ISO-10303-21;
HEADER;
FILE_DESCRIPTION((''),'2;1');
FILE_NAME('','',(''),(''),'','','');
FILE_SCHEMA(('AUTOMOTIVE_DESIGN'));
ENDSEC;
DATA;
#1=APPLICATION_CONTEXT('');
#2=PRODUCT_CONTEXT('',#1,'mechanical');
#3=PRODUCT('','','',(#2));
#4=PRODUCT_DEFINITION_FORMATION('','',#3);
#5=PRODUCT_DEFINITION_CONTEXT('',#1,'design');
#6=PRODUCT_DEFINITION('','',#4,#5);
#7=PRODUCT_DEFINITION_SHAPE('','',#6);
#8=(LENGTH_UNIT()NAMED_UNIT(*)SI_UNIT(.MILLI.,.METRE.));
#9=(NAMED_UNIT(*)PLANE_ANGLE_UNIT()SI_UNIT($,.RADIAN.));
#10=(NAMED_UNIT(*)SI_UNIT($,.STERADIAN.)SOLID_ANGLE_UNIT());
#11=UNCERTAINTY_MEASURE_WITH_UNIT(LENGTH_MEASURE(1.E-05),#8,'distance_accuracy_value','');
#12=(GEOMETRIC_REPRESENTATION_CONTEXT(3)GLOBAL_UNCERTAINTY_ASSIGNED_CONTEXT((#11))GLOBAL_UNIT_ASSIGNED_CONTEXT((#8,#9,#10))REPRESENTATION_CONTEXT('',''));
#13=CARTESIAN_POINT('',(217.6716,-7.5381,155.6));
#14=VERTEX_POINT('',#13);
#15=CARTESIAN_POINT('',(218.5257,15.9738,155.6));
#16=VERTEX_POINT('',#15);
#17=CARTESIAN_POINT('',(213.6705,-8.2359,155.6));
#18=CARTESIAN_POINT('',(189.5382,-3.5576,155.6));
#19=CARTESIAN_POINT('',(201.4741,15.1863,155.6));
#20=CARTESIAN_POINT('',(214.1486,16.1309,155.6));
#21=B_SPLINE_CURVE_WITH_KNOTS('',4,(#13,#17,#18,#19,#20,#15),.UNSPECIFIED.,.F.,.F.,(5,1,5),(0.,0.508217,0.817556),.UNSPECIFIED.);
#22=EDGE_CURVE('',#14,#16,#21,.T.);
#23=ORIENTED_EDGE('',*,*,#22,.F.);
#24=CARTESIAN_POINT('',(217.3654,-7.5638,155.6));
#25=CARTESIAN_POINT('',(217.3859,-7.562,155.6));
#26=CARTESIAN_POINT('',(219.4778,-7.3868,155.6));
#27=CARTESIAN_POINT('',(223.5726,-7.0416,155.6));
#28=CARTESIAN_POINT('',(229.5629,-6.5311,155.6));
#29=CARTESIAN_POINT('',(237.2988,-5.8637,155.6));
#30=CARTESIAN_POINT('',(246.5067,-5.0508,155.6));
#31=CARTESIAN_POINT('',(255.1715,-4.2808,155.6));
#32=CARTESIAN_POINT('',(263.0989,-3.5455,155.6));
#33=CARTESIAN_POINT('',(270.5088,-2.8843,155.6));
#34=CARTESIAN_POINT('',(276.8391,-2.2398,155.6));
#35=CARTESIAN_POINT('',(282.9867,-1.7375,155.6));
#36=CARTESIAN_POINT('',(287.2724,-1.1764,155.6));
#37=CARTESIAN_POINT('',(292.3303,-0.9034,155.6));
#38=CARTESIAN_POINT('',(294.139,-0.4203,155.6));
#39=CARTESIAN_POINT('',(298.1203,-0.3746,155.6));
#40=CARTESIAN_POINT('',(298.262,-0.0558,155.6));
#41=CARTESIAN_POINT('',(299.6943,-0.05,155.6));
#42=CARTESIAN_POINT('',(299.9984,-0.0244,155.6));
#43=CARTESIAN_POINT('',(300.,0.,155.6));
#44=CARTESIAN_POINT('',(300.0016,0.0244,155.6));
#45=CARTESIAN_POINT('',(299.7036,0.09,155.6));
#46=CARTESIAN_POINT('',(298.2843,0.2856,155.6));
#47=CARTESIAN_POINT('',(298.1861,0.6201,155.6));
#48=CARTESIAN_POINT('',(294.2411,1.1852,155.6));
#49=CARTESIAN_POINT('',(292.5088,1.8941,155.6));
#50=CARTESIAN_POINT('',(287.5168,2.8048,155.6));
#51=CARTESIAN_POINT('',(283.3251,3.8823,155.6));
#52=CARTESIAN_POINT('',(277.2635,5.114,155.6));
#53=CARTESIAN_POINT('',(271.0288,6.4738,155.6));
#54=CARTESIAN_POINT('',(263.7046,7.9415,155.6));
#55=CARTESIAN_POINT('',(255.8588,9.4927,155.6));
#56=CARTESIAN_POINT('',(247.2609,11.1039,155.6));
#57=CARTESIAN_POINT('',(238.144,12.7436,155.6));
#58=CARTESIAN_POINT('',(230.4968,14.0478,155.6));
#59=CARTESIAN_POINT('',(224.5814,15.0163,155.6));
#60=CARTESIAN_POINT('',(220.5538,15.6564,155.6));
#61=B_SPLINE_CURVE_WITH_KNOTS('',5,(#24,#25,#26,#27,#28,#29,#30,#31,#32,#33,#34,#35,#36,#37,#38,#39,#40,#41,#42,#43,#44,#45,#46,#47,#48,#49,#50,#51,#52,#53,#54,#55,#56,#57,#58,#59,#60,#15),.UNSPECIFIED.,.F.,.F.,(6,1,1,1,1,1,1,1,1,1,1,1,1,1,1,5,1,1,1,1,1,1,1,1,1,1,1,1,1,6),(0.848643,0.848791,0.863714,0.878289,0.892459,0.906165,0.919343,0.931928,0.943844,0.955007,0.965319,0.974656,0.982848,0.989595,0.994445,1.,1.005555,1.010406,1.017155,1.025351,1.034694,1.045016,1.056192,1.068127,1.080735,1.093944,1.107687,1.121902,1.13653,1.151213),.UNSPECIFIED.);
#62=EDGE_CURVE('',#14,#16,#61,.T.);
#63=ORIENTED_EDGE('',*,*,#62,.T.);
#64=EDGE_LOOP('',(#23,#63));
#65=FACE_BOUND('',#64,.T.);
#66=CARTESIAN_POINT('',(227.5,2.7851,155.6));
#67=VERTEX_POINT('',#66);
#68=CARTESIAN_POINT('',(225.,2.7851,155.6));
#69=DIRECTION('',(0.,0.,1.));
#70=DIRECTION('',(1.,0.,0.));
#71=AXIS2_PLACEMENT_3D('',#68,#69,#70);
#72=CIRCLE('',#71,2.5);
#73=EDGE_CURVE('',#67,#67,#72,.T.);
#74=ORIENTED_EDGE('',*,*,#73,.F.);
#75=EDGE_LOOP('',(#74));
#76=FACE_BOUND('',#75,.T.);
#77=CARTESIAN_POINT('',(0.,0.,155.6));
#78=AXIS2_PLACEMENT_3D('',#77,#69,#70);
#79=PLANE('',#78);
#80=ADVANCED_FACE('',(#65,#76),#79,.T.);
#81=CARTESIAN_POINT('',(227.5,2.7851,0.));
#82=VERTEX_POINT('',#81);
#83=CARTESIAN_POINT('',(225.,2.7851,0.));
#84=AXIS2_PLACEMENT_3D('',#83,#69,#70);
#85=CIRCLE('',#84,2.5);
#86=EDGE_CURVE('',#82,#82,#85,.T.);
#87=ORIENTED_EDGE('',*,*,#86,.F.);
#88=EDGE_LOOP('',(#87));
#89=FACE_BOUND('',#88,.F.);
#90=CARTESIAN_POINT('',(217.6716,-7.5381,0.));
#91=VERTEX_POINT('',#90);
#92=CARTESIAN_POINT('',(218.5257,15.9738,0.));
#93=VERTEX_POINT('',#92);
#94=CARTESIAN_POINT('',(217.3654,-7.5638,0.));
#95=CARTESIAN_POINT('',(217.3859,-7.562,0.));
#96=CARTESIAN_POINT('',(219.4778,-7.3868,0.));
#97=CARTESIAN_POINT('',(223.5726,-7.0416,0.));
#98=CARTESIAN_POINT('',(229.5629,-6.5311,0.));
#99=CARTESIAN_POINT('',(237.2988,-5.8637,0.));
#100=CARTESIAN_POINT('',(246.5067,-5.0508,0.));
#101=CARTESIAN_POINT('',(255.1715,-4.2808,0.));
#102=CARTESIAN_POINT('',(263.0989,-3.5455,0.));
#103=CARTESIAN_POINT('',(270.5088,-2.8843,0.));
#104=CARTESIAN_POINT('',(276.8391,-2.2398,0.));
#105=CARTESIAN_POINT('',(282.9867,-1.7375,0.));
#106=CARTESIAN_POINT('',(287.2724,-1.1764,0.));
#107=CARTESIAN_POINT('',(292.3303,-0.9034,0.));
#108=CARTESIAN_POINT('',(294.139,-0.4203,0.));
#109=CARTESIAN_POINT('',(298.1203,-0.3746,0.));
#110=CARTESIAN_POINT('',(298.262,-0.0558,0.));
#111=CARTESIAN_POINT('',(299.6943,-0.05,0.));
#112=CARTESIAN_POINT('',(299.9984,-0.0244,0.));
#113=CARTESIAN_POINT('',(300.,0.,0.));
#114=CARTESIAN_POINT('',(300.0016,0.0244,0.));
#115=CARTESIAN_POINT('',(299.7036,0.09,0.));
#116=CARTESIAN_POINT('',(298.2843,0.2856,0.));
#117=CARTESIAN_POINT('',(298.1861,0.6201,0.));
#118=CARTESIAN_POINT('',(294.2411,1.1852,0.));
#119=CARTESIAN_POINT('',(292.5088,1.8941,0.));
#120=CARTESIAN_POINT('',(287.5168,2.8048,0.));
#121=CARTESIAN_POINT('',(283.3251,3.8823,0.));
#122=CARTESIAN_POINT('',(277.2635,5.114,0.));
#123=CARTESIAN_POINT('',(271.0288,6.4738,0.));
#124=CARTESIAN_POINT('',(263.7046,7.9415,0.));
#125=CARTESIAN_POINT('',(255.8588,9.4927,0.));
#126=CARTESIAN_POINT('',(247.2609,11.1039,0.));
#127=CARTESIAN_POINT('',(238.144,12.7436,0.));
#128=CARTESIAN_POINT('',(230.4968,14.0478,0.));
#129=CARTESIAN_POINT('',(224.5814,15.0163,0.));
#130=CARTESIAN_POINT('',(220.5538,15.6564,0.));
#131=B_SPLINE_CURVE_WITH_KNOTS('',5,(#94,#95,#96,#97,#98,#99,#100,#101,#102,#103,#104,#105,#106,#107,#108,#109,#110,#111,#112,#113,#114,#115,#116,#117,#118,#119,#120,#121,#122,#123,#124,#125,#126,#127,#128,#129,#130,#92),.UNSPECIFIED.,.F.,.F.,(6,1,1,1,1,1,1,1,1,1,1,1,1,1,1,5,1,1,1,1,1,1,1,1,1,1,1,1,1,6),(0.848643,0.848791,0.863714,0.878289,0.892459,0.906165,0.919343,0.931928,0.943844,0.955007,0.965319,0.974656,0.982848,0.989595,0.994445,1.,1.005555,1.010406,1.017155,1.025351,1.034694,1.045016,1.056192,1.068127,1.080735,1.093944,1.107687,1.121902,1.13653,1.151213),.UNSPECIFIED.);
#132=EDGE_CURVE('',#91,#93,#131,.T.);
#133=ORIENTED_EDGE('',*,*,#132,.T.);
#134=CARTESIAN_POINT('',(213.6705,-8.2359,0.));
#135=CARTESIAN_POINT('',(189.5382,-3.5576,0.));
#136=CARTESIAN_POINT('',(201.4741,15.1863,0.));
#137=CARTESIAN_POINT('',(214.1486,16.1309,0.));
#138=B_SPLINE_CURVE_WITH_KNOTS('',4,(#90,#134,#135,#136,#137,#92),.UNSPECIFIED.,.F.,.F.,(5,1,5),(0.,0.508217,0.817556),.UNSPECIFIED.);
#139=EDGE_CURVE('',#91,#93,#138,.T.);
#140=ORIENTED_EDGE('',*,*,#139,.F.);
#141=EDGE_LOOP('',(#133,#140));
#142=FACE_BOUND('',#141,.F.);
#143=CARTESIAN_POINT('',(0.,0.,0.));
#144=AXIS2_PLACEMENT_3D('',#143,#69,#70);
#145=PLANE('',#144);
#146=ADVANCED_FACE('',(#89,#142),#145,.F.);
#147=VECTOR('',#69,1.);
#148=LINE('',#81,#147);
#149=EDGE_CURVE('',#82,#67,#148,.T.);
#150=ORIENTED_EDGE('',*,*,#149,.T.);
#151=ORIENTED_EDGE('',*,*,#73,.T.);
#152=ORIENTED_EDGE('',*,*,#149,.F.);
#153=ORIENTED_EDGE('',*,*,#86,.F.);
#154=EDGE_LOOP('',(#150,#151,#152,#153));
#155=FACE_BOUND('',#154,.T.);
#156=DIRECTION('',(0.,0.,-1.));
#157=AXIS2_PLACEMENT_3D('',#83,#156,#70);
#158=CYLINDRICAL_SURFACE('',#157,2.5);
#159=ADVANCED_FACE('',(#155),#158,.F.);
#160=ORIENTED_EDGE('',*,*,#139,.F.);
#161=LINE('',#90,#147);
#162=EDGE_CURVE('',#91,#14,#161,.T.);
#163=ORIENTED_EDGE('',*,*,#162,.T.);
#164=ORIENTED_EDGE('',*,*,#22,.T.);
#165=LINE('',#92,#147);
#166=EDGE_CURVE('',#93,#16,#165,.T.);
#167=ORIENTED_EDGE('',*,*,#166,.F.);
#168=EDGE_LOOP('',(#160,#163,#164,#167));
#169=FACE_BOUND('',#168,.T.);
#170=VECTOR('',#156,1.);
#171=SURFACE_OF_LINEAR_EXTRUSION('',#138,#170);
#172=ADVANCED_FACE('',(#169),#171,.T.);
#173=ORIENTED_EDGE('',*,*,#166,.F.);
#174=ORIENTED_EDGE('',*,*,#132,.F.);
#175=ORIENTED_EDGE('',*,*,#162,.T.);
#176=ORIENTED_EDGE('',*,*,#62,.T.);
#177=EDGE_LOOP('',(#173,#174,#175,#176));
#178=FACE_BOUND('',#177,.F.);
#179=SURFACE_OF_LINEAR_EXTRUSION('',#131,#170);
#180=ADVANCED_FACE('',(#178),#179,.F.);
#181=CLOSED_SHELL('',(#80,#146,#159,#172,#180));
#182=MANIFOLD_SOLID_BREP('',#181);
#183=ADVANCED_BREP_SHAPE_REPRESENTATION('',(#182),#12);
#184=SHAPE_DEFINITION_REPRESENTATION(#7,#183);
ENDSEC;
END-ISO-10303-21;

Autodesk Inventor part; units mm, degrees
ref_plane "YZ Plane" through (0, 0, 0) normal (1, 0, 0) x (0, 1, 0)
ref_plane "XZ Plane" through (0, 0, 0) normal (0, 1, 0) x (-1, 0, 0)
ref_plane "XY Plane" through (0, 0, 0) normal (0, 0, 1) x (1, 0, 0)
sketch "Sketch1" plane through (0, 0, 0) normal (0, 0, 1) x (1, 0, 0)
  spline S0 degree 5 poles (217.3654, -7.5638) (217.3859, -7.562) (219.4778, -7.3868) (223.5726, -7.0416) (229.5629, -6.5311) (237.2988, -5.8637) (246.5067, -5.0508) (255.1715, -4.2808) (263.0989, -3.5455) (270.5088, -2.8843) (276.8391, -2.2398) (282.9867, -1.7375) (287.2724, -1.1764) (292.3303, -0.9034) (294.139, -0.4203) (298.1203, -0.3746) (298.262, -0.0558) (299.6943, -0.05) (299.9984, -0.0244) (300, 0) (300.0016, 0.0244) (299.7036, 0.09) (298.2843, 0.2856) (298.1861, 0.6201) (294.2411, 1.1852) (292.5088, 1.8941) (287.5168, 2.8048) (283.3251, 3.8823) (277.2635, 5.114) (271.0288, 6.4738) (263.7046, 7.9415) (255.8588, 9.4927) (247.2609, 11.1039) (238.144, 12.7436) (230.4968, 14.0478) (224.5814, 15.0163) (220.5538, 15.6564) (218.5257, 15.9738) knots 0.848643 0.848643 0.848643 0.848643 0.848643 0.848643 0.848791 0.863714 0.878289 0.892459 0.906165 0.919343 0.931928 0.943844 0.955007 0.965319 0.974656 0.982848 0.989595 0.994445 1 1 1 1 1 1.005555 1.010406 1.017155 1.025351 1.034694 1.045016 1.056192 1.068127 1.080735 1.093944 1.107687 1.121902 1.13653 1.151213 1.151213 1.151213 1.151213 1.151213 1.151213
  line L0 (200, 103) -> (200, -97) construction
  line L1 (300, -103) -> (300, 103) construction
  line L2 (200, 3.7134) -> (300, 0) construction
  circle A0 centre (225, 2.7851) radius 2.5
  line L3 (205.8741, -8.5266) -> (228.8566, -6.6009) construction
  arc A1 (208.1717, -8.3262) -> (226.5577, -6.7856) centre (-233.8691, 5377.8161) ccw construction
  line L4 (230.0222, 14.1744) -> (207.0292, 17.7732) construction
  arc A2 (227.7165, 14.4952) -> (209.3227, 17.3741) centre (49.5564, -1063.5951) ccw construction
  spline S1 degree 4 poles (217.6716, -7.5381) (213.6705, -8.2359) (189.5382, -3.5576) (201.4741, 15.1863) (214.1486, 16.1309) (218.5257, 15.9738) knots 0 0 0 0 0 0.508217 0.817556 0.817556 0.817556 0.817556 0.817556
  line L5 (212.7843, 16.1798) -> (224.2671, 15.7678) construction
  arc A3 (223.0904, 15.5928) -> (213.9454, 15.921) centre (216.7921, -32.3331) ccw construction
  point P0 (299.5428, 0.1089)
  point P1 (298.1739, 0.4338)
  point P2 (295.9008, 0.9681)
  point P3 (292.7367, 1.7025)
  point P4 (288.6996, 2.6229)
  point P5 (283.8129, 3.7134)
  point P6 (278.1048, 4.9545)
  point P7 (271.6086, 6.3255)
  point P8 (264.3621, 7.8039)
  point P9 (256.4085, 9.3663)
  point P10 (247.7946, 10.9887)
  point P11 (238.572, 12.6468)
  point P12 (228.7959, 14.3166)
  point P13 (207.8235, 17.5944)
  point P14 (237.7638, -5.8185)
  point P15 (247.0398, -5.0019)
  point P16 (255.7236, -4.2234)
  point P17 (263.7597, -3.4905)
  point P18 (271.0965, -2.8098)
  point P19 (277.6872, -2.1882)
  point P20 (283.4889, -1.6323)
  point P21 (288.4641, -1.1487)
  point P22 (292.5804, -0.7434)
  point P23 (295.8102, -0.4221)
  point P24 (298.1328, -0.1887)
  point P25 (299.5323, -0.0474)
  point P26 (217.3654, -7.5638)
  point P27 (206.2647, 13.1249)
  point P28 (218.5257, 15.9738)
  dimension "d17" = 100
  dimension "d22" = 5
  dimension "d23" = 75
sketch "Sketch3" plane through (0, 0, 0) normal (0, 0, 1) x (1, 0, 0)
  point P0 (0, 0)
sketch "Sketch4" plane through (0, 0, 0) normal (0, 0, 1) x (1, 0, 0)
  point P0 (0, 0)
sketch "Sketch5" plane through (0, 0, 0) normal (0, 0, 1) x (1, 0, 0)
  point P0 (0, 0)
sketch "Sketch6" plane through (0, 0, 0) normal (0, 0, 1) x (1, 0, 0)
  point P0 (0, 0)
sketch "Sketch7" plane through (0, 0, 0) normal (0, 0, 1) x (1, 0, 0)
  point P0 (0, 0)
sketch "Sketch8" plane through (0, 0, 0) normal (0, 0, 1) x (1, 0, 0)
  point P0 (0, 0)
extrude "Extrusion2" add sketch "Sketch1" along normal blind 155.6
properties part number "AIL outboard foam assembly" material "Polyurethane Foam"
